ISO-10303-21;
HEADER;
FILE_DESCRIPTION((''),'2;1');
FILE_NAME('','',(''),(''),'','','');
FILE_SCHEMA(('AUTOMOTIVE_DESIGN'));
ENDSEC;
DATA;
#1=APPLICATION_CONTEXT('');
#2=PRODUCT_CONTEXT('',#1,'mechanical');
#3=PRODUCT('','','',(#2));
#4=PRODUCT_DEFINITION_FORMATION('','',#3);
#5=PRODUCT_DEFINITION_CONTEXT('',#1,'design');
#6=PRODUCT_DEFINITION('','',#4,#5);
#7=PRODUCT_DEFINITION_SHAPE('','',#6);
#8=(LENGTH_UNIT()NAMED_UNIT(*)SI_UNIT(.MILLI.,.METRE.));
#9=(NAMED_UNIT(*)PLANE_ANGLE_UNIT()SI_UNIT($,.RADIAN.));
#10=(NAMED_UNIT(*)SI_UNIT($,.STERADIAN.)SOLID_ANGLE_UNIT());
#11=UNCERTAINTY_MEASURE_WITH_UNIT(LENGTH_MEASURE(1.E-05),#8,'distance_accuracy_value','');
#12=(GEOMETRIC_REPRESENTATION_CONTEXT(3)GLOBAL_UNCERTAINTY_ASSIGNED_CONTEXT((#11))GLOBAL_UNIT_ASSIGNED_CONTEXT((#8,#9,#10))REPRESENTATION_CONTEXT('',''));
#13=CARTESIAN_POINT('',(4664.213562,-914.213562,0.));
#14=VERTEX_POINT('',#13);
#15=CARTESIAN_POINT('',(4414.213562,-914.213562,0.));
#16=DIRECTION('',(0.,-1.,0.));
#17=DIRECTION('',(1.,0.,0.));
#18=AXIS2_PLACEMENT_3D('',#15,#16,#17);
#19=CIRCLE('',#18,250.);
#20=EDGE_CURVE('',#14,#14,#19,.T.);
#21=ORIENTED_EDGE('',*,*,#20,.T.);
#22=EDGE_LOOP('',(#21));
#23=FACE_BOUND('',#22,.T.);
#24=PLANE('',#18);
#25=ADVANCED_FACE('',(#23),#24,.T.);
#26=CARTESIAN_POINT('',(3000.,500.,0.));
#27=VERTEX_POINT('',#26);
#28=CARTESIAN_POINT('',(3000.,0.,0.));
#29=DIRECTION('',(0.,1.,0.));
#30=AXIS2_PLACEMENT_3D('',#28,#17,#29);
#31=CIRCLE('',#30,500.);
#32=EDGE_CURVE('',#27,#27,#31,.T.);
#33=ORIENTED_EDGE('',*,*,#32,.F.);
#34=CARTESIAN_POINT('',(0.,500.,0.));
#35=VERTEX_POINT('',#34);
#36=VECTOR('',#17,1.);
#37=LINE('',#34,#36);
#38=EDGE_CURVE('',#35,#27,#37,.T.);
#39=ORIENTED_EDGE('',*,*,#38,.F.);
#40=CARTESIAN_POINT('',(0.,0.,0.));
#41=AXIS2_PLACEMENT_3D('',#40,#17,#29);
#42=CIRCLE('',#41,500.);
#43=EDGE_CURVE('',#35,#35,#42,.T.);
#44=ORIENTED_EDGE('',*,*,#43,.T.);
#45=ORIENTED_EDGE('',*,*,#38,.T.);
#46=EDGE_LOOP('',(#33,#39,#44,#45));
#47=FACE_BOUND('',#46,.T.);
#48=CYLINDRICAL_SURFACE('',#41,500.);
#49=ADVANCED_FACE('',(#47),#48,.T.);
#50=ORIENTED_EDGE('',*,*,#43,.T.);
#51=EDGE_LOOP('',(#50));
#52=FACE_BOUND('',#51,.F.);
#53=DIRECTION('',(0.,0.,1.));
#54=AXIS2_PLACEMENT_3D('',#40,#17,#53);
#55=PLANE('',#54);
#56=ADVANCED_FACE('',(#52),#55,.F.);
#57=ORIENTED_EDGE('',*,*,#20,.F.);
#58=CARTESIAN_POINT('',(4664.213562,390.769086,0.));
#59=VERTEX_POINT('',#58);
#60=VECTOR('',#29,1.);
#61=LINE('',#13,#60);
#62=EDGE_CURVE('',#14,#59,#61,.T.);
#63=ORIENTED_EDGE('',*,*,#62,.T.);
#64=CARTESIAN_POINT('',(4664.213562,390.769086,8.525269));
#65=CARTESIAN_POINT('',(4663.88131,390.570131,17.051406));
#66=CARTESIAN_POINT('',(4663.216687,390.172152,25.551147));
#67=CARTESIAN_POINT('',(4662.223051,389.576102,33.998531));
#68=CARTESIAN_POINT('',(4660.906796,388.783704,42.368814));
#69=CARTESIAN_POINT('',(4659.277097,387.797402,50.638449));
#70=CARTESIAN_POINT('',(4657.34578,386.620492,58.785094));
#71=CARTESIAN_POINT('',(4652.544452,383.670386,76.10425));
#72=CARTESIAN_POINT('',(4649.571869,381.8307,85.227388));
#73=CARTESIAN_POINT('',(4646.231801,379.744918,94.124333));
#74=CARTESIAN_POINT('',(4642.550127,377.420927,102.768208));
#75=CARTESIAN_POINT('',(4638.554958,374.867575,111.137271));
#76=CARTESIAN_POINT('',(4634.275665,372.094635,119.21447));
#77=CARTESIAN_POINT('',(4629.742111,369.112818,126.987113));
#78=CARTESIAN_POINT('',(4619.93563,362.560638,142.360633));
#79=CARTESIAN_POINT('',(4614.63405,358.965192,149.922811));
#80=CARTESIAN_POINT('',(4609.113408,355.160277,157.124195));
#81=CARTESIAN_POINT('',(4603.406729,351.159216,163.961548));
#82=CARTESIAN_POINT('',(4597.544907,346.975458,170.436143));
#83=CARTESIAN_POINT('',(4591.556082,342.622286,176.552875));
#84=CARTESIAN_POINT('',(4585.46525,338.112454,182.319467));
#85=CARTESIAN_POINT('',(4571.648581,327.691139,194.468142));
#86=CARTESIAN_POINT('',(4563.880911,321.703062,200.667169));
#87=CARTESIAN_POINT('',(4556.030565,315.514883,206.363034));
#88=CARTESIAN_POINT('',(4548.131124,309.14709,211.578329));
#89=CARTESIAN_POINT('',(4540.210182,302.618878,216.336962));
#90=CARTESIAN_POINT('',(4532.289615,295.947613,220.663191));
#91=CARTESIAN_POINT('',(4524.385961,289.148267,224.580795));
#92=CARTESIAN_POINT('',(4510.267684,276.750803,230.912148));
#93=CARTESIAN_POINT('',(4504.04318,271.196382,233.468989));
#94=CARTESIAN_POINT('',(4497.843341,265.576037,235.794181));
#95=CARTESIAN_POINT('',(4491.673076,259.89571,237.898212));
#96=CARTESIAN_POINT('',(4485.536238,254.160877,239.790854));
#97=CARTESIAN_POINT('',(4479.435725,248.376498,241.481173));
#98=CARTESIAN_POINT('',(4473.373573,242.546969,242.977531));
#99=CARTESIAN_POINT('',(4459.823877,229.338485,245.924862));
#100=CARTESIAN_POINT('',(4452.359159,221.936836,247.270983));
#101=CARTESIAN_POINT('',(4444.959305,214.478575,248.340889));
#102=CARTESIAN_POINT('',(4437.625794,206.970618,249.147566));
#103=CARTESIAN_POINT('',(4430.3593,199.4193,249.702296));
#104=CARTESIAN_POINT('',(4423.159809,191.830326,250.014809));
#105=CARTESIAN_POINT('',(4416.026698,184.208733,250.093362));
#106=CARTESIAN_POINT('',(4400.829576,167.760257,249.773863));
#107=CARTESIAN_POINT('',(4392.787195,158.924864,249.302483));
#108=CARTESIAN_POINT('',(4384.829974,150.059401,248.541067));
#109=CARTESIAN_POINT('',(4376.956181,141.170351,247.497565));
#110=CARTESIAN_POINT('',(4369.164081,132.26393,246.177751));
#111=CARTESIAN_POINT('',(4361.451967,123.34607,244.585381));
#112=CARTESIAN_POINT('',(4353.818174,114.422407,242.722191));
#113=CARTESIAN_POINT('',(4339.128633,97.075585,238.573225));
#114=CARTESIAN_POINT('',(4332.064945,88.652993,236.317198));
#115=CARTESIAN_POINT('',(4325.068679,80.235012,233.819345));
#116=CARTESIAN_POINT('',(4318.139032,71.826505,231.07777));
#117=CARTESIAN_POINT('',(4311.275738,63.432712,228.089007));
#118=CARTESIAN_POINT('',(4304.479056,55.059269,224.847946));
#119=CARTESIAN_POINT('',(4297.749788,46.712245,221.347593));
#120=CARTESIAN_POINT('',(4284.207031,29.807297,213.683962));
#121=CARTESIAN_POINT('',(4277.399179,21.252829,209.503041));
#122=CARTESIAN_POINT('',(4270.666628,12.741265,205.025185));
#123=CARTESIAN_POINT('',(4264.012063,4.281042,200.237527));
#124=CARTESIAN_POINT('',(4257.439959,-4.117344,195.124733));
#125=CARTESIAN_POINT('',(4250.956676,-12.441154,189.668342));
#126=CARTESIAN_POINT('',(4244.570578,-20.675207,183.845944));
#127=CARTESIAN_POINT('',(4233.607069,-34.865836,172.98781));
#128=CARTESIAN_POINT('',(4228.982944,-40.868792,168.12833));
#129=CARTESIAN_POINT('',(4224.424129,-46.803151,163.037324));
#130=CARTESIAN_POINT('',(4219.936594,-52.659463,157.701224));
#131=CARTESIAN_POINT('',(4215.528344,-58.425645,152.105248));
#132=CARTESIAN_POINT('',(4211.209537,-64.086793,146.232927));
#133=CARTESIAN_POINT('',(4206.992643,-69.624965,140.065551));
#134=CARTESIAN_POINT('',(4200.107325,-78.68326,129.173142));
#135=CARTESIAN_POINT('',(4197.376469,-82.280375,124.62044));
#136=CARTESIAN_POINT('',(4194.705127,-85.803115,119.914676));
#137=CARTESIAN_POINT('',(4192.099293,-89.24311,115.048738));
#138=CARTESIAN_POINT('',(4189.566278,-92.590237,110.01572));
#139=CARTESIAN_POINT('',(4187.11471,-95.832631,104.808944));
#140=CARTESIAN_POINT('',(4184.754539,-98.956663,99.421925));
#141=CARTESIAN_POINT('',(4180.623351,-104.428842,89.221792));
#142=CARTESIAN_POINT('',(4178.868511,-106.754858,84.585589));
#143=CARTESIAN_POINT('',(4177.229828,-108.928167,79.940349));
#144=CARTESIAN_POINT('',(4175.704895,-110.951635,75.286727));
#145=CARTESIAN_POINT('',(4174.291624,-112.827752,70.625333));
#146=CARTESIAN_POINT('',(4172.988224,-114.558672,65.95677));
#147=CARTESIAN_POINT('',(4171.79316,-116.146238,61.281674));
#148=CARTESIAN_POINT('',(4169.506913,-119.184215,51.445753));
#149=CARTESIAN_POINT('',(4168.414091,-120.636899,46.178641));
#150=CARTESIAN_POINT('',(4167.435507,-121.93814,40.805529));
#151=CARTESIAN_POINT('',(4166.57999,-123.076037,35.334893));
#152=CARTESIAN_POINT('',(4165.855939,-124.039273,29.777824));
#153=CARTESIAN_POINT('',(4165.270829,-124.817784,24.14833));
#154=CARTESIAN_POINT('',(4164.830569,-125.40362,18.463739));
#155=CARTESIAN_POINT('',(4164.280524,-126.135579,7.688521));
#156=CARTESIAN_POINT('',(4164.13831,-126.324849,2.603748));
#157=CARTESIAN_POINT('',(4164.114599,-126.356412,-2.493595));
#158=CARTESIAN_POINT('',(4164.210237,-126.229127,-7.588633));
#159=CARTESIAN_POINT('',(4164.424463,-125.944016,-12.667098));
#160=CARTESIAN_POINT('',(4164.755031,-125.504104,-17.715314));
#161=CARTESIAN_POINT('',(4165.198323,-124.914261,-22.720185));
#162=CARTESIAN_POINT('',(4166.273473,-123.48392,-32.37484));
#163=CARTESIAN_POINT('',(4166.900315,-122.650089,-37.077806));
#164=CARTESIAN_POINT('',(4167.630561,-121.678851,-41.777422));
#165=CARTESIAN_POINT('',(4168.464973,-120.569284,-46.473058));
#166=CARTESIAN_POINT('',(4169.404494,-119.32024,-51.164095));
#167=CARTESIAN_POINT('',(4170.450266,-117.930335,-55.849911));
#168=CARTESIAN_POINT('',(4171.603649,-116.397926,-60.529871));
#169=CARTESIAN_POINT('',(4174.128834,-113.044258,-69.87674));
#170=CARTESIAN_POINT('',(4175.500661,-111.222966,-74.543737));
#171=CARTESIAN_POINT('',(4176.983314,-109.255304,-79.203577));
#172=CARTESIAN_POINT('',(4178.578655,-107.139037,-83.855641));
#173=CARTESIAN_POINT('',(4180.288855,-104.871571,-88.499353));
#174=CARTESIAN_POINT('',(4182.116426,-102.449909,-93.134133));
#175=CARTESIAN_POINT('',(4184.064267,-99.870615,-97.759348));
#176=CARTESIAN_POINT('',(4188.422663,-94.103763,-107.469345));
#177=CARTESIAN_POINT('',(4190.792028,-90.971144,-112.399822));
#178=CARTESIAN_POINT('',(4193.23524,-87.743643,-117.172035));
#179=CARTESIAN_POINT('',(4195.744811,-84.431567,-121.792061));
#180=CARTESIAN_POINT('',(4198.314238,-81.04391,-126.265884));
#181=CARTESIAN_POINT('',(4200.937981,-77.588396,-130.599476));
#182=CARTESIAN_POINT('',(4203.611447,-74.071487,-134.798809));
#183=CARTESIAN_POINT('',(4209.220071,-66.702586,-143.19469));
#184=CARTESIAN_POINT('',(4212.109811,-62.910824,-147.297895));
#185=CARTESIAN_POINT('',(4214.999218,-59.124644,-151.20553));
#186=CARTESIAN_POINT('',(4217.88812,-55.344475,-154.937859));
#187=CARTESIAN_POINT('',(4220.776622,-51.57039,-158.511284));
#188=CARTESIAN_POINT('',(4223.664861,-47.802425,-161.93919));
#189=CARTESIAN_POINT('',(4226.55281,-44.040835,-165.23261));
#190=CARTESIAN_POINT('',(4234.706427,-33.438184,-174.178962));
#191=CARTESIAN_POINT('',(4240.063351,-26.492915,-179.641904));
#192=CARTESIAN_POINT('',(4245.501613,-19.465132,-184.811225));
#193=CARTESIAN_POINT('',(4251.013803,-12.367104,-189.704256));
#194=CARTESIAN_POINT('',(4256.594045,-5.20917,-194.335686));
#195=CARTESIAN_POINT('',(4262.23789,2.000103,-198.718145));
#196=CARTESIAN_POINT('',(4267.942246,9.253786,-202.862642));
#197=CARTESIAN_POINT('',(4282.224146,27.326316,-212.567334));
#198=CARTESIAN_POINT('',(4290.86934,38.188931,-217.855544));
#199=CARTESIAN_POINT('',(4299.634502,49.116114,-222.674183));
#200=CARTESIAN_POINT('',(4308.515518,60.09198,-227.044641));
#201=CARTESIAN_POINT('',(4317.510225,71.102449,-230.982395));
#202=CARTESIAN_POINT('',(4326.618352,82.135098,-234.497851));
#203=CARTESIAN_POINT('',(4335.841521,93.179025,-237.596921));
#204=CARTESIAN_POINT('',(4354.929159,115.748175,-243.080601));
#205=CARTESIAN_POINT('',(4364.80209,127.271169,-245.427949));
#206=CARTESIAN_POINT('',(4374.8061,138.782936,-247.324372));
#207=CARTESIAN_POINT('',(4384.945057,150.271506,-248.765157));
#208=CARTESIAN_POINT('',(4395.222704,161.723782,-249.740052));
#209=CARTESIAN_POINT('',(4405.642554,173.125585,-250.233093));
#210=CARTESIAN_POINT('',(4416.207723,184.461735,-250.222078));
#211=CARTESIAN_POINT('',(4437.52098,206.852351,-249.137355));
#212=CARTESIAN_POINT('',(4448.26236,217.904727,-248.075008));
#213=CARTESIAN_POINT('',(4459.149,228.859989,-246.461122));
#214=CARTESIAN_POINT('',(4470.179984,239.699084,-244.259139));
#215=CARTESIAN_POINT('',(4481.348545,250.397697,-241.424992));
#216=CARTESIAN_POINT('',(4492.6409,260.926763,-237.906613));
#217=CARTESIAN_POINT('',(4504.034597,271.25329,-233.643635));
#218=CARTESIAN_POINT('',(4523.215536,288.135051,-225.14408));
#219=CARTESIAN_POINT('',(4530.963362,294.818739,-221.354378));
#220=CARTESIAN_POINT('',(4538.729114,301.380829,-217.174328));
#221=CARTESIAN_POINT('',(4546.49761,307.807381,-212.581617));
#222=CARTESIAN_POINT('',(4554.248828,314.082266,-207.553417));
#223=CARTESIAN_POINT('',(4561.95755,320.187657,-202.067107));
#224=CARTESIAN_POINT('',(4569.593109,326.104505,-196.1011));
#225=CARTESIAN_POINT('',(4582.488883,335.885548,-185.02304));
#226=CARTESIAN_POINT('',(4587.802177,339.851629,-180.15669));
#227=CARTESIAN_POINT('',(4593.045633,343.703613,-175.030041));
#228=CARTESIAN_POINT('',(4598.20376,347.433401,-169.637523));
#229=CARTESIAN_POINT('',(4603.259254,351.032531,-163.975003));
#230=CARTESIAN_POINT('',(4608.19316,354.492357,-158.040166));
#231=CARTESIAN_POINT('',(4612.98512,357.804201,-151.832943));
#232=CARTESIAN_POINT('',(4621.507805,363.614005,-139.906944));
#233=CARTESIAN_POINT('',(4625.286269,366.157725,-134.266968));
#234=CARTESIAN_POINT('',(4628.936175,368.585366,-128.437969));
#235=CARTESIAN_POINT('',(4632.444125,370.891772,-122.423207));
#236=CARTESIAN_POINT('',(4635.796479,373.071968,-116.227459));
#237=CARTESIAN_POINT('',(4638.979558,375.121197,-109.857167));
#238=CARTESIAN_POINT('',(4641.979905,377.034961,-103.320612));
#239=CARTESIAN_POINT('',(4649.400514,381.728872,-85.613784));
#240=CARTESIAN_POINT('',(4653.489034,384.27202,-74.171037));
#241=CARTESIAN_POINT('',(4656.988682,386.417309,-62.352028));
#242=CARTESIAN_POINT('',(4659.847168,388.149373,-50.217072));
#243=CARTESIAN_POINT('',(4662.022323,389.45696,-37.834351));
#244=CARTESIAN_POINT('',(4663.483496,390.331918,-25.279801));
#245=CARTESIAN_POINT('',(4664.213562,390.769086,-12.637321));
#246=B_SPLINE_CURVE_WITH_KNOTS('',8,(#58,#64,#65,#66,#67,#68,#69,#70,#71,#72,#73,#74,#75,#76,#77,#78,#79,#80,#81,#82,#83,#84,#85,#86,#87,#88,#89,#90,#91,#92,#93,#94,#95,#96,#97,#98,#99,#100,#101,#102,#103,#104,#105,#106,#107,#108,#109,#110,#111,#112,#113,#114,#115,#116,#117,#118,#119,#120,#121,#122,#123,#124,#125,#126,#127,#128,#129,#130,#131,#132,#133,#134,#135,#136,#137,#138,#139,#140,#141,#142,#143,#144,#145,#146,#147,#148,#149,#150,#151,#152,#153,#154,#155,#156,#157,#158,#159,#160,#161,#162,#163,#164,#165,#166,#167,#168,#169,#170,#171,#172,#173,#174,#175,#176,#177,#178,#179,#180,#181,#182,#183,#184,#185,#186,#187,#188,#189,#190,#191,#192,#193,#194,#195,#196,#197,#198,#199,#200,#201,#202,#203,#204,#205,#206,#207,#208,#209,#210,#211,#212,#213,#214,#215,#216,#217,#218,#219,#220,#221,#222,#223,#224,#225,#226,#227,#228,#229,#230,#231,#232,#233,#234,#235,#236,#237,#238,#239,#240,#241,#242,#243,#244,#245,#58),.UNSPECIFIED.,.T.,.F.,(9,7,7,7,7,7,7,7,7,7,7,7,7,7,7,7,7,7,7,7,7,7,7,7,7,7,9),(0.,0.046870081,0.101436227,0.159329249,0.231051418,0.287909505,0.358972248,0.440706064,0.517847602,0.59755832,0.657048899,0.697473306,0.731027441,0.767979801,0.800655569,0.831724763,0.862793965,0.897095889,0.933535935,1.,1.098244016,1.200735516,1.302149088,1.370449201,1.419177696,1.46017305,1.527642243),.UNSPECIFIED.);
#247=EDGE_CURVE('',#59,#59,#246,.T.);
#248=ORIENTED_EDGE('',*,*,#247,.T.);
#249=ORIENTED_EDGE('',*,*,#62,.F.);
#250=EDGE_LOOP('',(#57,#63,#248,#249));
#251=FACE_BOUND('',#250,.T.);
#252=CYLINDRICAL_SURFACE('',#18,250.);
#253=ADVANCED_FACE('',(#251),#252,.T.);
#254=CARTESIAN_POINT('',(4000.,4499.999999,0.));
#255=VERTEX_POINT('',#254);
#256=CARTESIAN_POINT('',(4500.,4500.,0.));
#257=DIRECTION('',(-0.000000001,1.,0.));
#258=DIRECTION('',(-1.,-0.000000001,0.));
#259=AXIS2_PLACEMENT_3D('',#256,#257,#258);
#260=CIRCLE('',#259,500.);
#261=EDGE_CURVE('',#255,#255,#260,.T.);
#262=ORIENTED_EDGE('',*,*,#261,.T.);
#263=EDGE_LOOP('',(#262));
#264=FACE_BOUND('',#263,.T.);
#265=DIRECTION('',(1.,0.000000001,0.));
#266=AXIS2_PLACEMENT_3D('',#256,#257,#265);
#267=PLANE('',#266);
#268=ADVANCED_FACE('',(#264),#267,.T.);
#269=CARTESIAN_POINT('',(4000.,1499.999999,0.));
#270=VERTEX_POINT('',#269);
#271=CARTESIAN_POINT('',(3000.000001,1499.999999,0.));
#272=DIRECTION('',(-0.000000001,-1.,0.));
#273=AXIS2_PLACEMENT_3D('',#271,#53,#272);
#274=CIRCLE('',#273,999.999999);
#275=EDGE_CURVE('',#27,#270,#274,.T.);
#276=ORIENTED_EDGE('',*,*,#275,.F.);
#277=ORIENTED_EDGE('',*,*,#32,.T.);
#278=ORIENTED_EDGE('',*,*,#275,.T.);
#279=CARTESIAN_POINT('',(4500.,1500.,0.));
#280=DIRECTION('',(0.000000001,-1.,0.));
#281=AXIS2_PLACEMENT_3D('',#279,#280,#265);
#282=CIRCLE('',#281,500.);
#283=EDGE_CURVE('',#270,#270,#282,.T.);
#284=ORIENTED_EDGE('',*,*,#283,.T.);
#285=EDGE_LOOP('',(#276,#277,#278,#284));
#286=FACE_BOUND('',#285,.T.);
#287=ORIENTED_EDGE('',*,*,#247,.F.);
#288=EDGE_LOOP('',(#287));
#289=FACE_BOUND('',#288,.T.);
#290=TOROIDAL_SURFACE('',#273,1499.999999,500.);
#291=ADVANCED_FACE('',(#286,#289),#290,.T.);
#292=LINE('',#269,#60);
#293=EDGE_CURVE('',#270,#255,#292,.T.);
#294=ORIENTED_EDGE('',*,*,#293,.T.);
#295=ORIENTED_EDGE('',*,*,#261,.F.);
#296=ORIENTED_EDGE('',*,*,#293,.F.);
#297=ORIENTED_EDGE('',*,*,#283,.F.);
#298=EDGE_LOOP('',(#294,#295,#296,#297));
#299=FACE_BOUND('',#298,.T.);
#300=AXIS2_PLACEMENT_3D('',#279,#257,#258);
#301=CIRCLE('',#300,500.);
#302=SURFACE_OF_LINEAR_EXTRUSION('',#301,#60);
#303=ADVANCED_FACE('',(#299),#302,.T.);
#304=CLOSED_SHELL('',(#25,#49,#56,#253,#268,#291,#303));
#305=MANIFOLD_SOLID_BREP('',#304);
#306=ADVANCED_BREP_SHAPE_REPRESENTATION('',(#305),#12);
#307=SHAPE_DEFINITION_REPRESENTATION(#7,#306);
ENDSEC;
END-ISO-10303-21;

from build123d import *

# Parameters (mm, degrees)
F1_R     = 500
F4_R     = 250
F5_DEPTH = 2212


with BuildPart() as f2:
    # F2: sweep along a path in F0
    with BuildLine(Plane.XY) as f2_path:
        Line((0, 0), (3000, 0))
        ThreePointArc((3000, 0), (4060.660172, 439.339828), (4500, 1500))
        Line((4500, 1500), (4500, 4500))
    # F1 (on Right) → F2 (sweep)
    with BuildSketch(Plane.YZ):
        Circle(F1_R)
    sweep(path=f2_path.line)

    # F4 (on face) → F5 (join)
    with BuildSketch(Plane.XZ.offset(914.213562)):
        with Locations((4414.213562, 0)):
            Circle(F4_R)
    extrude(amount=-F5_DEPTH)


solid = f2.part
